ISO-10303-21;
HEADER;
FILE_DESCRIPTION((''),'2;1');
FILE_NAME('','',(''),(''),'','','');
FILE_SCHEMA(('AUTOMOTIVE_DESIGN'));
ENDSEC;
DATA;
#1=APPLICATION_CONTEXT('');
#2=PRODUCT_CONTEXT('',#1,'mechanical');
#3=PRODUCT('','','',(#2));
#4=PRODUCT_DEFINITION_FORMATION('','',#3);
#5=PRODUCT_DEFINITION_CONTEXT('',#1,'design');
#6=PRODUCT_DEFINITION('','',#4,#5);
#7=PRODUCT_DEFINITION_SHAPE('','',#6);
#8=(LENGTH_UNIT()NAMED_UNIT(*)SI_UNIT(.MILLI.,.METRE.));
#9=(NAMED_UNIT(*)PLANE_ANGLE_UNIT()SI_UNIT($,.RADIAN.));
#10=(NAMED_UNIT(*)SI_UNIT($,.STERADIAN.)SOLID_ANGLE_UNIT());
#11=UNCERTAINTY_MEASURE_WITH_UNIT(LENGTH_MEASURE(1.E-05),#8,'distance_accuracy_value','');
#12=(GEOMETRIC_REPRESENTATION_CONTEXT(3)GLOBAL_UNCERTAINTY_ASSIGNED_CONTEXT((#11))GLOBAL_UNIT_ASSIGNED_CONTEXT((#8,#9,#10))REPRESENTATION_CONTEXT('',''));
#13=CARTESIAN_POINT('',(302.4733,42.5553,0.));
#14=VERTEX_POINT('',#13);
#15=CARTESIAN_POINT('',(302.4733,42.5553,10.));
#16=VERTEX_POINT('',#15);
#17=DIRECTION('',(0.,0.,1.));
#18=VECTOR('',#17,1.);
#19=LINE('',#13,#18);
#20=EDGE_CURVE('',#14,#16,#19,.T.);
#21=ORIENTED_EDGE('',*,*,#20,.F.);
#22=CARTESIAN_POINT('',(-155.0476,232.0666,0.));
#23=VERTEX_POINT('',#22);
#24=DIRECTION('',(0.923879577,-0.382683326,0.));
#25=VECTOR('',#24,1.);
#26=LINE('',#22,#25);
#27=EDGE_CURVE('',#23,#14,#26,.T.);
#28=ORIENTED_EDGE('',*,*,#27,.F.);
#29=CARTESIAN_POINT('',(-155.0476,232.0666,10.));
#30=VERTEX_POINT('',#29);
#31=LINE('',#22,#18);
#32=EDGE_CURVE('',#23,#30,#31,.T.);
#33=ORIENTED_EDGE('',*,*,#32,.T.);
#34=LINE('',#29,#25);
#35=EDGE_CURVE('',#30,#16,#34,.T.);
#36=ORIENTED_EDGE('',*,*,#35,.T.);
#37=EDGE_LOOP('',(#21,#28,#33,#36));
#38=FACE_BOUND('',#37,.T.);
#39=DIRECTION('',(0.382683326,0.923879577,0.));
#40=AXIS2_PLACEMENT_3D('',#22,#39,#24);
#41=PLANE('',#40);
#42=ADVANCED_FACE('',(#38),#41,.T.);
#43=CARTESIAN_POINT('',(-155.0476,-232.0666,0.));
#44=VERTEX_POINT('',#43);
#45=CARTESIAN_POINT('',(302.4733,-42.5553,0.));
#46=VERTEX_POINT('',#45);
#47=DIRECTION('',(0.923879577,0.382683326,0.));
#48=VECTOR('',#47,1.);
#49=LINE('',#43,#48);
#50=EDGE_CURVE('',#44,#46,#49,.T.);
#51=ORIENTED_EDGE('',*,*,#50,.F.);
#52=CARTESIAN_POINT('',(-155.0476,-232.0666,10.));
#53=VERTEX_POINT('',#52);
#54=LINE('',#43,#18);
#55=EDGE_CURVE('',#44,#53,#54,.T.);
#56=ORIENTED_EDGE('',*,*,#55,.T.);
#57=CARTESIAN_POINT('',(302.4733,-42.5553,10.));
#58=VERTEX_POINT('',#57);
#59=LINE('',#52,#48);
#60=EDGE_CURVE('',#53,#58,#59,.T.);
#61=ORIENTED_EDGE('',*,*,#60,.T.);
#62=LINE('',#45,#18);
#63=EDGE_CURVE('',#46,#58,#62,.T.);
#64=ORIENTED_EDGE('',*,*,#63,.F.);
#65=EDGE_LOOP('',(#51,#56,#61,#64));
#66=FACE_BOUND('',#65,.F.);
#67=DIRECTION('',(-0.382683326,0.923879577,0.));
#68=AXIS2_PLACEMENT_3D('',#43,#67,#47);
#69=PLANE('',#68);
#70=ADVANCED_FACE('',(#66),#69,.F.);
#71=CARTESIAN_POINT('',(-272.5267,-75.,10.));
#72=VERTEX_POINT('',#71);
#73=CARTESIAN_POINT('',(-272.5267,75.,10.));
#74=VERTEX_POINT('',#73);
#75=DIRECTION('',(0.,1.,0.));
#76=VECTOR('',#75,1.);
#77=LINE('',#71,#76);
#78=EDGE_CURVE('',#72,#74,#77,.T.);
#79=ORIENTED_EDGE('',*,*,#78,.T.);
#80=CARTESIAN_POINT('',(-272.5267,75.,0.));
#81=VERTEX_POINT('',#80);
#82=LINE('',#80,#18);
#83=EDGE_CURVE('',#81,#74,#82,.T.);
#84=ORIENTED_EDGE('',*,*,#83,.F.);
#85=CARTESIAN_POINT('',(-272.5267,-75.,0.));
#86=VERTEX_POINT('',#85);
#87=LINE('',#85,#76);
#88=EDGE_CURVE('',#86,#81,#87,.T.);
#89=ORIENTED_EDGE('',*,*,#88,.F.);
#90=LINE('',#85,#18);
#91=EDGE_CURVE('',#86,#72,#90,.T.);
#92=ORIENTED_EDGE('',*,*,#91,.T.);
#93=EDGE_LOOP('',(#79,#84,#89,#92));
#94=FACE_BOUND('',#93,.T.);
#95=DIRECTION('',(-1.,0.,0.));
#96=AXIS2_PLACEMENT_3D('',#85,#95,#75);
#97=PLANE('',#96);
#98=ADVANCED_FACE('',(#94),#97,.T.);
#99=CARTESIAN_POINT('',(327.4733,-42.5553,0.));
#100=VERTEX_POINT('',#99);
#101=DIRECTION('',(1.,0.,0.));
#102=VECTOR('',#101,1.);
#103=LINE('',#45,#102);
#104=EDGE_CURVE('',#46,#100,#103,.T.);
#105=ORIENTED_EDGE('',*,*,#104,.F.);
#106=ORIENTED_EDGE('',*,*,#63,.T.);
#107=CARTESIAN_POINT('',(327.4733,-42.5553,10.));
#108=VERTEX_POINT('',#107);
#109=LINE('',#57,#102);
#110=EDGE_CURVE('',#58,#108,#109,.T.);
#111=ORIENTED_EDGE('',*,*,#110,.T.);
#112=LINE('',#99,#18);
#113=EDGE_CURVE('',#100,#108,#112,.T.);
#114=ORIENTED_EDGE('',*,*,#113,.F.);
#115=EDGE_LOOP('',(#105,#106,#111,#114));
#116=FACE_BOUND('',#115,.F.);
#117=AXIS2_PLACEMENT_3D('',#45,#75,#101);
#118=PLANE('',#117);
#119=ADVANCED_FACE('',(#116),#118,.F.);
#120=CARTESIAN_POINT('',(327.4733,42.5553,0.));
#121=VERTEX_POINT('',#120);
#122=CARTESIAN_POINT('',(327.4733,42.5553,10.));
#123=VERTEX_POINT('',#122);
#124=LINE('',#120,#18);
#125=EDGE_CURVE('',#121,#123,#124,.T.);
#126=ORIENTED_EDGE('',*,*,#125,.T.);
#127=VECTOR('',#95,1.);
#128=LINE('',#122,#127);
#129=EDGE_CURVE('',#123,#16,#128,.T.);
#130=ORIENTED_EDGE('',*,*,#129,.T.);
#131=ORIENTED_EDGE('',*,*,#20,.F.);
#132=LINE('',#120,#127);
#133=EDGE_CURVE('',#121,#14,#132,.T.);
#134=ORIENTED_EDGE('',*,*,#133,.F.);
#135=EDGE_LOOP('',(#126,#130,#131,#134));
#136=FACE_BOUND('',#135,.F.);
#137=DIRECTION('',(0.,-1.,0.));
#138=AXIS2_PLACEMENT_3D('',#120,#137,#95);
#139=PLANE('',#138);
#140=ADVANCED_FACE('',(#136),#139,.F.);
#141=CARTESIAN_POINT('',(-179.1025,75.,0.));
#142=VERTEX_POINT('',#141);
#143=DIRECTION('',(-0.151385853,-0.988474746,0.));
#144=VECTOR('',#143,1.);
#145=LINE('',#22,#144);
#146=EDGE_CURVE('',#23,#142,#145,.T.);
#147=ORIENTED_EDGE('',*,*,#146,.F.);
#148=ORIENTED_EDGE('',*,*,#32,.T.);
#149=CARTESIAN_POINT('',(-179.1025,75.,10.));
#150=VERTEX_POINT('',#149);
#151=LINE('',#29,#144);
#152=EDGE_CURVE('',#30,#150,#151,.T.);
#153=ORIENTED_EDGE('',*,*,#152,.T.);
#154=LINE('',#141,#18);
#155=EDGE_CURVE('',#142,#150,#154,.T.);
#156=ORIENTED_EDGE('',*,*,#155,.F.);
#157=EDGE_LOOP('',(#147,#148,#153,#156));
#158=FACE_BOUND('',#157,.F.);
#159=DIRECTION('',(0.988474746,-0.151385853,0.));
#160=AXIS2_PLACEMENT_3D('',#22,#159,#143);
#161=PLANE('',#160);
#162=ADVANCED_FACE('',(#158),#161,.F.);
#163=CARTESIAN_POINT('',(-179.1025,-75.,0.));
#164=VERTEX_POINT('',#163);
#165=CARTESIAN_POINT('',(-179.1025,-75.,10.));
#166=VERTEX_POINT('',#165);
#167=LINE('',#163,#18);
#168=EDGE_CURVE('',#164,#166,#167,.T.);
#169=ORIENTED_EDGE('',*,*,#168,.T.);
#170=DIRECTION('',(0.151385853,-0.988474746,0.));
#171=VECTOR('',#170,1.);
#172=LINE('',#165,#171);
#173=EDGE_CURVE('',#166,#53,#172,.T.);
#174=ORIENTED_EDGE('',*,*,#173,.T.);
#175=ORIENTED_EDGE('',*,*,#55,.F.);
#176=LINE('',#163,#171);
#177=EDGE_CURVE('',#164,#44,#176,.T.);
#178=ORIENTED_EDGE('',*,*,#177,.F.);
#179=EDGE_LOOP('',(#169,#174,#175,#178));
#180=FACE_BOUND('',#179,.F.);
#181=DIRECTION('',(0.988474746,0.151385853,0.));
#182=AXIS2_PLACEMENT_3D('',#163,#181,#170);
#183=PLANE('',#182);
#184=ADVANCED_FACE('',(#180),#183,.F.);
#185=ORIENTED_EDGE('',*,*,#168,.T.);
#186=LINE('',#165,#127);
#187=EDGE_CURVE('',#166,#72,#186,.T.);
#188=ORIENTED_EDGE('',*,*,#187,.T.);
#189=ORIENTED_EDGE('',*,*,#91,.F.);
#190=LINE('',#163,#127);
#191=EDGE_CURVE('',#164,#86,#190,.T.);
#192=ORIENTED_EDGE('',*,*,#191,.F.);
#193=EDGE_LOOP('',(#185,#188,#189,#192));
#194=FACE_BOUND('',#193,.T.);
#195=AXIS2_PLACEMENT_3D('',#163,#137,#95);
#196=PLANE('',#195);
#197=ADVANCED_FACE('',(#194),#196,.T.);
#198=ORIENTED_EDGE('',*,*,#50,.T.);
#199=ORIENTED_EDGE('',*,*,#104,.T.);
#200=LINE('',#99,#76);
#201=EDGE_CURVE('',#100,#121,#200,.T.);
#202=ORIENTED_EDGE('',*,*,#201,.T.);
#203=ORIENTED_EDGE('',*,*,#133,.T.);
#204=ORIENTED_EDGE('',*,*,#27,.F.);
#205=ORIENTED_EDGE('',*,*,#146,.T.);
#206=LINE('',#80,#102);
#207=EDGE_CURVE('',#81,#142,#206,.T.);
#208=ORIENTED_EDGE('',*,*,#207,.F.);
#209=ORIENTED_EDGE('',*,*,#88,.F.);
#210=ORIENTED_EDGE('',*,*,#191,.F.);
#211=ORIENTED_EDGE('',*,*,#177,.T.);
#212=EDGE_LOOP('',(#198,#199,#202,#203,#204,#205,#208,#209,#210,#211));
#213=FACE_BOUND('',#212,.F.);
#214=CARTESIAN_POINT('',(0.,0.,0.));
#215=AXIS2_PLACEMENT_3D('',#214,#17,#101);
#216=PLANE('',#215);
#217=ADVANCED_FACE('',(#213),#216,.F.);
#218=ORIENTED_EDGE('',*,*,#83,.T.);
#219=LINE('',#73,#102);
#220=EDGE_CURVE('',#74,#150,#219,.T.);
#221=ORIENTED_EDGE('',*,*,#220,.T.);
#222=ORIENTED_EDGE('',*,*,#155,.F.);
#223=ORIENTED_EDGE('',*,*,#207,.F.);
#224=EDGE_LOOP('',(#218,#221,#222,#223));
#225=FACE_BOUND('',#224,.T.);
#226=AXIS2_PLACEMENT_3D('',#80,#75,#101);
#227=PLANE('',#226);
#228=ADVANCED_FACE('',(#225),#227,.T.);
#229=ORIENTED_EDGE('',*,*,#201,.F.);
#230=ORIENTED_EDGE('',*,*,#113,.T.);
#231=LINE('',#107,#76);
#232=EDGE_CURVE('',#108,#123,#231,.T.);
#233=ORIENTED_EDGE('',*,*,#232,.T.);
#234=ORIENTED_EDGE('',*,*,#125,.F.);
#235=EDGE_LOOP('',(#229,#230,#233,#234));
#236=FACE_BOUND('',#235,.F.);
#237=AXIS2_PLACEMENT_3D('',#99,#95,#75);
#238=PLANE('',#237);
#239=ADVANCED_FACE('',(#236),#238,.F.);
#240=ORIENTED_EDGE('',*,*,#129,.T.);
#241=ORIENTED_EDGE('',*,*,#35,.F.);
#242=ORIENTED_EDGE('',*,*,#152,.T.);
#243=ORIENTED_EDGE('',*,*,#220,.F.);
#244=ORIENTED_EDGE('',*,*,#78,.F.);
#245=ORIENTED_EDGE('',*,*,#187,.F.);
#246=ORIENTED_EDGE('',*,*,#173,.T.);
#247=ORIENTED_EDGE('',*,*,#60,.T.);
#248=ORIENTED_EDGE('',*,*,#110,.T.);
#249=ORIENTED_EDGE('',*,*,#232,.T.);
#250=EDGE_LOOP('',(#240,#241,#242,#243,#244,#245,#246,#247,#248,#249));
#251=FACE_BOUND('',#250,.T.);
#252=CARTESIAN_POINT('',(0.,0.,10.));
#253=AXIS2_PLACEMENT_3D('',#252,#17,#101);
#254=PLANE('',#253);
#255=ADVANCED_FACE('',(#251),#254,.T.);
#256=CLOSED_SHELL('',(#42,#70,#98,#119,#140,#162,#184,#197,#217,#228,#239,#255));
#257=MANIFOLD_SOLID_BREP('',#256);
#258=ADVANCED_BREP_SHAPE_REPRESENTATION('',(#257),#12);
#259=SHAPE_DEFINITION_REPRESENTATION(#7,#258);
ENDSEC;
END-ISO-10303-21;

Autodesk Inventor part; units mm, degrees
ref_plane "YZ Plane" through (0, 0, 0) normal (1, 0, 0) x (0, 1, 0)
ref_plane "XZ Plane" through (0, 0, 0) normal (0, 1, 0) x (-1, 0, 0)
ref_plane "Work Plane1" through (0, 0, 0) normal (0, 0, 1) x (1, 0, 0)
sketch "Sketch1" plane through (0, 0, 0) normal (0, 0, 1) x (1, 0, 0)
  line L0 (-155.0476, 232.0666) -> (-62.9335, 193.9117) construction
  line L1 (177.2752, 94.414) -> (270.7225, 55.7069) construction
  line L2 (177.2752, -94.414) -> (270.7225, -55.7069) construction
  line L3 (-155.0476, -232.0666) -> (-62.9335, -193.9117) construction
  line L4 (-192.4394, 0.4878) -> (-152.8157, 221.8622) construction
  line L5 (-152.8157, -221.8622) -> (-192.4394, -0.4878) construction
  line L6 (302.4733, 35) -> (302.4733, 38) construction
  line L7 (302.4733, -38) -> (302.4733, -35) construction
  line L8 (-254.8213, 5) -> (-254.8213, -5) construction
  line L9 (-272.5267, 75) -> (-179.1025, 75)
  line L10 (-179.1025, 75) -> (-179.1025, -75)
  line L11 (-179.1025, -75) -> (-272.5267, -75)
  line L12 (-272.5267, -75) -> (-272.5267, 75)
  line L13 (327.4733, 53.8478) -> (327.4733, 38) construction
  line L14 (-272.5267, 5) -> (-272.5267, -5) construction
  line L15 (327.4733, 42.5553) -> (302.4733, 42.5553)
  line L16 (302.4733, 42.5553) -> (302.4733, -42.5553)
  line L17 (302.4733, -42.5553) -> (327.4733, -42.5553)
  line L18 (327.4733, -42.5553) -> (327.4733, 42.5553)
  line L19 (-155.0476, 232.0666) -> (302.4733, 42.5553)
  line L20 (-155.0476, -232.0666) -> (302.4733, -42.5553)
  line L21 (-155.0476, 232.0666) -> (-179.1025, 75)
  line L22 (-179.1025, -75) -> (-155.0476, -232.0666)
  point P0 (0, 0)
  point P1 (-151.2693, 230.5016)
  point P2 (-151.2693, -230.5016)
  dimension "d0" = 150
extrude "Extrusion1" add sketch "Sketch1" along normal blind 10
properties part number "internalSupportBottom1" material "Wood (Birch)"
